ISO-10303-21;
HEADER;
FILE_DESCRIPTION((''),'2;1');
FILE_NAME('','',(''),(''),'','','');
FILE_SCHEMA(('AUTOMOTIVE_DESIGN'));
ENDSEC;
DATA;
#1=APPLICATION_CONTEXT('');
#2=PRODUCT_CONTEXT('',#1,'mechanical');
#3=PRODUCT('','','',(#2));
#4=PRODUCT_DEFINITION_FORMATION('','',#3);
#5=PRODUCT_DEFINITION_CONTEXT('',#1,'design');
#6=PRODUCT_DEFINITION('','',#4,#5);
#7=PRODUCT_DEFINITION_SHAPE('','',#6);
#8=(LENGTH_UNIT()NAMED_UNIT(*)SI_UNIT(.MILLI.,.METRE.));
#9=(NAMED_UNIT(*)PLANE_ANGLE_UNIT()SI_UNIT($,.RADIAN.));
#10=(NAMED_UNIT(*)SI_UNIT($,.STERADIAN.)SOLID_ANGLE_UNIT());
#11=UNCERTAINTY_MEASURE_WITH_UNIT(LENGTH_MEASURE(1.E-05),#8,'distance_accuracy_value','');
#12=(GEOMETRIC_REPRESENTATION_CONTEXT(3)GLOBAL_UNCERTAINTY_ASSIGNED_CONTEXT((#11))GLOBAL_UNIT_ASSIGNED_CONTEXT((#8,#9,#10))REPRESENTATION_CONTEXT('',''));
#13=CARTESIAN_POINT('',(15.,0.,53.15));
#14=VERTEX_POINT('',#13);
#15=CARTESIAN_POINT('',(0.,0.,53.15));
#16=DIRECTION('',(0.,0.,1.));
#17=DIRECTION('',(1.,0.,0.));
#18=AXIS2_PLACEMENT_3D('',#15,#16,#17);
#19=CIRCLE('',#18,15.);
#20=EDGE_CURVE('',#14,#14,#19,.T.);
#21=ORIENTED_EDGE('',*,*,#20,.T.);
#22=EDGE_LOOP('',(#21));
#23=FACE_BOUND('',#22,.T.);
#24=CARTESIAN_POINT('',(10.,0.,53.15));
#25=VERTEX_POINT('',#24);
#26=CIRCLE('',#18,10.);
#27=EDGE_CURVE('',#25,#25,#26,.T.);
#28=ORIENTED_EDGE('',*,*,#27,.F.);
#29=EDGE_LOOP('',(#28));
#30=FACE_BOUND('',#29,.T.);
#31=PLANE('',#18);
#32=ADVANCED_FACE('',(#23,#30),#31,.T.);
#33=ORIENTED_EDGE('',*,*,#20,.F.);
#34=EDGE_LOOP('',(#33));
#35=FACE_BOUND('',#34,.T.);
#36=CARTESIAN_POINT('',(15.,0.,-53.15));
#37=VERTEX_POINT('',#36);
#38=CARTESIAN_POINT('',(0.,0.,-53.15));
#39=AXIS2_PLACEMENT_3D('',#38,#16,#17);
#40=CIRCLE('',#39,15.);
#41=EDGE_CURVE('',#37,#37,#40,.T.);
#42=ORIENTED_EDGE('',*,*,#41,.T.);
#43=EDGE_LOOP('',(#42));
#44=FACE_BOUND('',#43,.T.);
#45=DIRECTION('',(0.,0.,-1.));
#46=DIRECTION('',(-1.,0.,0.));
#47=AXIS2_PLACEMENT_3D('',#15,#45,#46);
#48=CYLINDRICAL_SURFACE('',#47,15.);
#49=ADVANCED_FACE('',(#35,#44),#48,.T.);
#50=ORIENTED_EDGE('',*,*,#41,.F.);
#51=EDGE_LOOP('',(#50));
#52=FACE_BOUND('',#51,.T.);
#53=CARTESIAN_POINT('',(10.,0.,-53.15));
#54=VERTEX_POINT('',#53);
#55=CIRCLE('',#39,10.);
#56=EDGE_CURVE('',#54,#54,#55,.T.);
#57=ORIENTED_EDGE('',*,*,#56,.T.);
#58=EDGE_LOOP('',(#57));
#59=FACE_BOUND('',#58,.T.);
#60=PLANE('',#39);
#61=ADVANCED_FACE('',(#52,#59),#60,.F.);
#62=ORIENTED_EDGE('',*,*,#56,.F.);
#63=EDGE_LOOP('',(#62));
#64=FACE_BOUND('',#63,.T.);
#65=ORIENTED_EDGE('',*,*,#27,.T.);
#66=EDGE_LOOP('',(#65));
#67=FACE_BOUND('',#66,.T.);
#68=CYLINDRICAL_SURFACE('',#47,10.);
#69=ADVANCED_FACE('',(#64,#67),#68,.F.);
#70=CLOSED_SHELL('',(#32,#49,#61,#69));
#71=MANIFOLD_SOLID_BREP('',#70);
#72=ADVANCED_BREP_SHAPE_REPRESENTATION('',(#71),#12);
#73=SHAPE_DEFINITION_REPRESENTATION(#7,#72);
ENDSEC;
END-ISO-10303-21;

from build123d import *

# Parameters (mm, degrees)
SZKIC1_R                    = 15
SZKIC1_R_2                  = 10
DODANIE_WYCI_GNI_CIE1_DEPTH = 53.15


with BuildPart() as part:
    # Szkic1 → Dodanie-wyciągnięcie1 (new, symmetric)
    with BuildSketch(Plane.XY):
        Circle(SZKIC1_R)
        Circle(SZKIC1_R_2, mode=Mode.SUBTRACT)
    extrude(amount=DODANIE_WYCI_GNI_CIE1_DEPTH, both=True)


solid = part.part
